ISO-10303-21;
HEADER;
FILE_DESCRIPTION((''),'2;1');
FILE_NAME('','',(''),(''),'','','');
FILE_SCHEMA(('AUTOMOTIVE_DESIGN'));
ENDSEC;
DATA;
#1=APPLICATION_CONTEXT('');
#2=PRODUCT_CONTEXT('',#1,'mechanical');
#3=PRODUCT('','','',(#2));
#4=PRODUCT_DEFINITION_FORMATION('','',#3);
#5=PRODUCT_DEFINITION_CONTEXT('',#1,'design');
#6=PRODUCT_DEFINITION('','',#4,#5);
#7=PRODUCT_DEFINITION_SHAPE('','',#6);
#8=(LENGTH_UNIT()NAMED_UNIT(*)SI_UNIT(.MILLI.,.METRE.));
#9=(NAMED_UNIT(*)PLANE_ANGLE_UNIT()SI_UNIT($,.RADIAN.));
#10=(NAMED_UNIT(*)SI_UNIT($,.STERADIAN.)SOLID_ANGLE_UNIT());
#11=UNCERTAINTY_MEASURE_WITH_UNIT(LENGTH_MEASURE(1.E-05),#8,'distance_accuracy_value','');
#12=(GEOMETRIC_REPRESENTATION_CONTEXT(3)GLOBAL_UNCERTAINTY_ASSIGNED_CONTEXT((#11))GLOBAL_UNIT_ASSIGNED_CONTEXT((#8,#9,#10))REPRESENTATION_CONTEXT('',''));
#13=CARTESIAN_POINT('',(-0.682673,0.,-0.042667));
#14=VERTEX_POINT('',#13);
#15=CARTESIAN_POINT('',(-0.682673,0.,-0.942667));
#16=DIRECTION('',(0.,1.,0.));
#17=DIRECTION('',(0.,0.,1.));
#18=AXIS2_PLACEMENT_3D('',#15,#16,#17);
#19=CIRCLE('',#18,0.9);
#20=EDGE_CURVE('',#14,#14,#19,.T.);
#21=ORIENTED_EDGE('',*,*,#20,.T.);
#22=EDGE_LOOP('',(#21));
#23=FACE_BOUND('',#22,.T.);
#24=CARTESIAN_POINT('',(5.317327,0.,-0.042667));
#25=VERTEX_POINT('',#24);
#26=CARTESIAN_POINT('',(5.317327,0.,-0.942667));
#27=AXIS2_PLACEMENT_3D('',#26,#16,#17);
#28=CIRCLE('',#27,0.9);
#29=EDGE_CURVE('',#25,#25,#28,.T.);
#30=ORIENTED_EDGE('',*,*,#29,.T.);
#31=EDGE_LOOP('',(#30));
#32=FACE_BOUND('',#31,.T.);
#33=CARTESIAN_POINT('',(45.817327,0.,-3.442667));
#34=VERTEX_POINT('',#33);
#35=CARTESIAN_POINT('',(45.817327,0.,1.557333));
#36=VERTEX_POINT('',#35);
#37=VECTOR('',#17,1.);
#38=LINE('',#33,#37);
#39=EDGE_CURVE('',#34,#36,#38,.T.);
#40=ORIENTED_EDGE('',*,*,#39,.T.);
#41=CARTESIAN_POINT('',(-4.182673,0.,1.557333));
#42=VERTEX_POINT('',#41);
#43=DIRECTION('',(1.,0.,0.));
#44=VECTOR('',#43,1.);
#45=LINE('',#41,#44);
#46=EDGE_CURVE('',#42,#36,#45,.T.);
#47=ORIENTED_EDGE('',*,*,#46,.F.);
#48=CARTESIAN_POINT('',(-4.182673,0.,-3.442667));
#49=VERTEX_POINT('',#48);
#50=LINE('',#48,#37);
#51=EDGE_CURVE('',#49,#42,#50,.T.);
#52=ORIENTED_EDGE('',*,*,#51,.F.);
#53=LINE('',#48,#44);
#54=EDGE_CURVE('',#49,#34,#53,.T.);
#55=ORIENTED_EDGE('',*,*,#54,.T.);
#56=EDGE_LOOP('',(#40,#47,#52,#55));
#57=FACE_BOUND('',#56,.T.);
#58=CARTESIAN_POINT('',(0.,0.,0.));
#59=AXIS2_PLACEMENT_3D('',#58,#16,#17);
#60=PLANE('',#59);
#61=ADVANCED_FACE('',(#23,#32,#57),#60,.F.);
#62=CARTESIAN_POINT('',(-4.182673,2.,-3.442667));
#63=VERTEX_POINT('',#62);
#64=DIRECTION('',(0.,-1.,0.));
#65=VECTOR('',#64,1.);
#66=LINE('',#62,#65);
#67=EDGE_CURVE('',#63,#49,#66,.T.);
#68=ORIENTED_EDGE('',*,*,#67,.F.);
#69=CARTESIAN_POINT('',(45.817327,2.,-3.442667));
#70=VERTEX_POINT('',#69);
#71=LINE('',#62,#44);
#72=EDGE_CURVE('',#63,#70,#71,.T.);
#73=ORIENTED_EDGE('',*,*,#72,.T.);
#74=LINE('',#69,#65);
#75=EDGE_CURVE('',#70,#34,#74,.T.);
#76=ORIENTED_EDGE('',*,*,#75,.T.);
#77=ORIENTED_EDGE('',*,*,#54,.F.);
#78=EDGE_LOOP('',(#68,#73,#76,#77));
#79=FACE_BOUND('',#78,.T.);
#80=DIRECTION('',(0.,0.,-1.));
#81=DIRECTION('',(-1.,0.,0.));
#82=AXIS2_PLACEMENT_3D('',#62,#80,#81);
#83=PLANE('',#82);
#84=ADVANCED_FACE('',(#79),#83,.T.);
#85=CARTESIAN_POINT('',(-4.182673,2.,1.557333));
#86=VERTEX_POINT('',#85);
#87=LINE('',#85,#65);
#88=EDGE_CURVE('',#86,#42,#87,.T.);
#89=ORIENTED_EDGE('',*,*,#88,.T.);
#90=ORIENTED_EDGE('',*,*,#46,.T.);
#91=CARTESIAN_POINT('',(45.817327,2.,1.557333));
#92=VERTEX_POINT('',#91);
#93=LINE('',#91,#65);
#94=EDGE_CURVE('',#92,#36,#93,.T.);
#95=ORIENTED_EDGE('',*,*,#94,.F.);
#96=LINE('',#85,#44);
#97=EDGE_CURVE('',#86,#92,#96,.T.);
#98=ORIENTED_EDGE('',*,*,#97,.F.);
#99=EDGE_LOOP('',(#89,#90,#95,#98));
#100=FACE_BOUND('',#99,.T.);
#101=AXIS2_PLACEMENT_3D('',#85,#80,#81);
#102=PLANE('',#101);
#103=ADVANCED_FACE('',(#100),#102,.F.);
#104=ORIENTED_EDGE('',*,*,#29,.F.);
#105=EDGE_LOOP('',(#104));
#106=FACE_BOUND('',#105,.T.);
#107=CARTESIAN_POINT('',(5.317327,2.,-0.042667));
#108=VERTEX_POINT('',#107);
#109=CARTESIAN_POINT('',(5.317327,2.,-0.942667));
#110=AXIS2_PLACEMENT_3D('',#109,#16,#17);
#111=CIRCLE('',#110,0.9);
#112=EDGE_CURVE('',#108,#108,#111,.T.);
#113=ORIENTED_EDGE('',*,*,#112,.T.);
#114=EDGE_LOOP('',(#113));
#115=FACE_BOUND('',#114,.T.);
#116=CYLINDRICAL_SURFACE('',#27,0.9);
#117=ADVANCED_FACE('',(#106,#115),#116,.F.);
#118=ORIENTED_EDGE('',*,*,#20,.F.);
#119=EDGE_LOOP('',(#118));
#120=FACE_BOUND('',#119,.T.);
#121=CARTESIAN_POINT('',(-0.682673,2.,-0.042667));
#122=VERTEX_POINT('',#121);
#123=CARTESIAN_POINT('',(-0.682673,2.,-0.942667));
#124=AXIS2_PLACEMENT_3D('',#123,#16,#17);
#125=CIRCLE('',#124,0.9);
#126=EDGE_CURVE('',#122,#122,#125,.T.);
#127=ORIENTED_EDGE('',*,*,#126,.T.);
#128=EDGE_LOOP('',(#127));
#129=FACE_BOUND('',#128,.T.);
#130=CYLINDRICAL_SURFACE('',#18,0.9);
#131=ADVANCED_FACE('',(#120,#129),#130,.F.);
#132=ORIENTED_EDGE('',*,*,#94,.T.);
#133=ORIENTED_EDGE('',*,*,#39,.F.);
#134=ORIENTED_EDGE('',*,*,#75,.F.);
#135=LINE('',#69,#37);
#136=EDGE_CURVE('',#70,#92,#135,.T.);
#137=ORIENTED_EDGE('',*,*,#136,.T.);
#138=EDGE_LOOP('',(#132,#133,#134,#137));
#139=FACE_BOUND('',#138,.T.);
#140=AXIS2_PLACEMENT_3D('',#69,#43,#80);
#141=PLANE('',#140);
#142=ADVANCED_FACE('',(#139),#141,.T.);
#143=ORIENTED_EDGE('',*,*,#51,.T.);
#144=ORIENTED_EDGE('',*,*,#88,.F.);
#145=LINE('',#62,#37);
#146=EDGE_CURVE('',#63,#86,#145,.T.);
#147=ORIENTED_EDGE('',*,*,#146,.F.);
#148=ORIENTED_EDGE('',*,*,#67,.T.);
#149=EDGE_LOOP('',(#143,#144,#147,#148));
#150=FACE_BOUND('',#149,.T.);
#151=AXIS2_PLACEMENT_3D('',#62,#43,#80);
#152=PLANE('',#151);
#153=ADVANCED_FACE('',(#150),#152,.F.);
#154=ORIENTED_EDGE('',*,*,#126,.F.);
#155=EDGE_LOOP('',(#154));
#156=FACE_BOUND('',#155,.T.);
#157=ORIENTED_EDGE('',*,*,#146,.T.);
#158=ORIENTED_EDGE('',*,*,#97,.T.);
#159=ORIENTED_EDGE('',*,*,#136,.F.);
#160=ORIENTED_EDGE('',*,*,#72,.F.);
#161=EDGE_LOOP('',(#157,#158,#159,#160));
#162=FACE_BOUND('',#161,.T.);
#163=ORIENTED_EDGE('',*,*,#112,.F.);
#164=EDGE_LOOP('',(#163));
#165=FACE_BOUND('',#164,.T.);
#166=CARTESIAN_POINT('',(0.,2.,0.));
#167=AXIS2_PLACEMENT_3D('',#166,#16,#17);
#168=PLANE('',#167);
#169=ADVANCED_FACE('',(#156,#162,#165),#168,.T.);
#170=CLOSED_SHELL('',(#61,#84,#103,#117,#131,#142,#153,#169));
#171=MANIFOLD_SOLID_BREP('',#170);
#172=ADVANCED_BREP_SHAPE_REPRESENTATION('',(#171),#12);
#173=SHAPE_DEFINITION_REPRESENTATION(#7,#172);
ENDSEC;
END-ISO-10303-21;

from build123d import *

# Parameters (mm, degrees)
SKETCH_1_W          = 50
SKETCH_1_H          = 5
EXTRUDE_1_DEPTH     = 2
SKETCH_2_R          = 0.9
CUT_EXTRUDE_1_DEPTH = 2


with BuildPart() as part:
    # 草图1 → 凸台-拉伸1 (new body)
    with BuildSketch(Plane(origin=(0, 0, 0), x_dir=(1, 0, 0), z_dir=(0, 1, 0))):
        with Locations((20.817327097, 0.942667455)):
            Rectangle(SKETCH_1_W, SKETCH_1_H)
    extrude(amount=EXTRUDE_1_DEPTH)

    # 草图2 → 切除-拉伸1 (cut)
    with BuildSketch(Plane(origin=(0, 2, 0), x_dir=(1, 0, 0), z_dir=(0, 1, 0))):
        with Locations(Location((-0.682672903, 0.942667455, 0), (0, 0, 270))):
            Circle(SKETCH_2_R)
        with Locations(Location((5.317327097, 0.942667455, 0), (0, 0, 270))):
            Circle(SKETCH_2_R)
    extrude(amount=-CUT_EXTRUDE_1_DEPTH, mode=Mode.SUBTRACT)


solid = part.part
